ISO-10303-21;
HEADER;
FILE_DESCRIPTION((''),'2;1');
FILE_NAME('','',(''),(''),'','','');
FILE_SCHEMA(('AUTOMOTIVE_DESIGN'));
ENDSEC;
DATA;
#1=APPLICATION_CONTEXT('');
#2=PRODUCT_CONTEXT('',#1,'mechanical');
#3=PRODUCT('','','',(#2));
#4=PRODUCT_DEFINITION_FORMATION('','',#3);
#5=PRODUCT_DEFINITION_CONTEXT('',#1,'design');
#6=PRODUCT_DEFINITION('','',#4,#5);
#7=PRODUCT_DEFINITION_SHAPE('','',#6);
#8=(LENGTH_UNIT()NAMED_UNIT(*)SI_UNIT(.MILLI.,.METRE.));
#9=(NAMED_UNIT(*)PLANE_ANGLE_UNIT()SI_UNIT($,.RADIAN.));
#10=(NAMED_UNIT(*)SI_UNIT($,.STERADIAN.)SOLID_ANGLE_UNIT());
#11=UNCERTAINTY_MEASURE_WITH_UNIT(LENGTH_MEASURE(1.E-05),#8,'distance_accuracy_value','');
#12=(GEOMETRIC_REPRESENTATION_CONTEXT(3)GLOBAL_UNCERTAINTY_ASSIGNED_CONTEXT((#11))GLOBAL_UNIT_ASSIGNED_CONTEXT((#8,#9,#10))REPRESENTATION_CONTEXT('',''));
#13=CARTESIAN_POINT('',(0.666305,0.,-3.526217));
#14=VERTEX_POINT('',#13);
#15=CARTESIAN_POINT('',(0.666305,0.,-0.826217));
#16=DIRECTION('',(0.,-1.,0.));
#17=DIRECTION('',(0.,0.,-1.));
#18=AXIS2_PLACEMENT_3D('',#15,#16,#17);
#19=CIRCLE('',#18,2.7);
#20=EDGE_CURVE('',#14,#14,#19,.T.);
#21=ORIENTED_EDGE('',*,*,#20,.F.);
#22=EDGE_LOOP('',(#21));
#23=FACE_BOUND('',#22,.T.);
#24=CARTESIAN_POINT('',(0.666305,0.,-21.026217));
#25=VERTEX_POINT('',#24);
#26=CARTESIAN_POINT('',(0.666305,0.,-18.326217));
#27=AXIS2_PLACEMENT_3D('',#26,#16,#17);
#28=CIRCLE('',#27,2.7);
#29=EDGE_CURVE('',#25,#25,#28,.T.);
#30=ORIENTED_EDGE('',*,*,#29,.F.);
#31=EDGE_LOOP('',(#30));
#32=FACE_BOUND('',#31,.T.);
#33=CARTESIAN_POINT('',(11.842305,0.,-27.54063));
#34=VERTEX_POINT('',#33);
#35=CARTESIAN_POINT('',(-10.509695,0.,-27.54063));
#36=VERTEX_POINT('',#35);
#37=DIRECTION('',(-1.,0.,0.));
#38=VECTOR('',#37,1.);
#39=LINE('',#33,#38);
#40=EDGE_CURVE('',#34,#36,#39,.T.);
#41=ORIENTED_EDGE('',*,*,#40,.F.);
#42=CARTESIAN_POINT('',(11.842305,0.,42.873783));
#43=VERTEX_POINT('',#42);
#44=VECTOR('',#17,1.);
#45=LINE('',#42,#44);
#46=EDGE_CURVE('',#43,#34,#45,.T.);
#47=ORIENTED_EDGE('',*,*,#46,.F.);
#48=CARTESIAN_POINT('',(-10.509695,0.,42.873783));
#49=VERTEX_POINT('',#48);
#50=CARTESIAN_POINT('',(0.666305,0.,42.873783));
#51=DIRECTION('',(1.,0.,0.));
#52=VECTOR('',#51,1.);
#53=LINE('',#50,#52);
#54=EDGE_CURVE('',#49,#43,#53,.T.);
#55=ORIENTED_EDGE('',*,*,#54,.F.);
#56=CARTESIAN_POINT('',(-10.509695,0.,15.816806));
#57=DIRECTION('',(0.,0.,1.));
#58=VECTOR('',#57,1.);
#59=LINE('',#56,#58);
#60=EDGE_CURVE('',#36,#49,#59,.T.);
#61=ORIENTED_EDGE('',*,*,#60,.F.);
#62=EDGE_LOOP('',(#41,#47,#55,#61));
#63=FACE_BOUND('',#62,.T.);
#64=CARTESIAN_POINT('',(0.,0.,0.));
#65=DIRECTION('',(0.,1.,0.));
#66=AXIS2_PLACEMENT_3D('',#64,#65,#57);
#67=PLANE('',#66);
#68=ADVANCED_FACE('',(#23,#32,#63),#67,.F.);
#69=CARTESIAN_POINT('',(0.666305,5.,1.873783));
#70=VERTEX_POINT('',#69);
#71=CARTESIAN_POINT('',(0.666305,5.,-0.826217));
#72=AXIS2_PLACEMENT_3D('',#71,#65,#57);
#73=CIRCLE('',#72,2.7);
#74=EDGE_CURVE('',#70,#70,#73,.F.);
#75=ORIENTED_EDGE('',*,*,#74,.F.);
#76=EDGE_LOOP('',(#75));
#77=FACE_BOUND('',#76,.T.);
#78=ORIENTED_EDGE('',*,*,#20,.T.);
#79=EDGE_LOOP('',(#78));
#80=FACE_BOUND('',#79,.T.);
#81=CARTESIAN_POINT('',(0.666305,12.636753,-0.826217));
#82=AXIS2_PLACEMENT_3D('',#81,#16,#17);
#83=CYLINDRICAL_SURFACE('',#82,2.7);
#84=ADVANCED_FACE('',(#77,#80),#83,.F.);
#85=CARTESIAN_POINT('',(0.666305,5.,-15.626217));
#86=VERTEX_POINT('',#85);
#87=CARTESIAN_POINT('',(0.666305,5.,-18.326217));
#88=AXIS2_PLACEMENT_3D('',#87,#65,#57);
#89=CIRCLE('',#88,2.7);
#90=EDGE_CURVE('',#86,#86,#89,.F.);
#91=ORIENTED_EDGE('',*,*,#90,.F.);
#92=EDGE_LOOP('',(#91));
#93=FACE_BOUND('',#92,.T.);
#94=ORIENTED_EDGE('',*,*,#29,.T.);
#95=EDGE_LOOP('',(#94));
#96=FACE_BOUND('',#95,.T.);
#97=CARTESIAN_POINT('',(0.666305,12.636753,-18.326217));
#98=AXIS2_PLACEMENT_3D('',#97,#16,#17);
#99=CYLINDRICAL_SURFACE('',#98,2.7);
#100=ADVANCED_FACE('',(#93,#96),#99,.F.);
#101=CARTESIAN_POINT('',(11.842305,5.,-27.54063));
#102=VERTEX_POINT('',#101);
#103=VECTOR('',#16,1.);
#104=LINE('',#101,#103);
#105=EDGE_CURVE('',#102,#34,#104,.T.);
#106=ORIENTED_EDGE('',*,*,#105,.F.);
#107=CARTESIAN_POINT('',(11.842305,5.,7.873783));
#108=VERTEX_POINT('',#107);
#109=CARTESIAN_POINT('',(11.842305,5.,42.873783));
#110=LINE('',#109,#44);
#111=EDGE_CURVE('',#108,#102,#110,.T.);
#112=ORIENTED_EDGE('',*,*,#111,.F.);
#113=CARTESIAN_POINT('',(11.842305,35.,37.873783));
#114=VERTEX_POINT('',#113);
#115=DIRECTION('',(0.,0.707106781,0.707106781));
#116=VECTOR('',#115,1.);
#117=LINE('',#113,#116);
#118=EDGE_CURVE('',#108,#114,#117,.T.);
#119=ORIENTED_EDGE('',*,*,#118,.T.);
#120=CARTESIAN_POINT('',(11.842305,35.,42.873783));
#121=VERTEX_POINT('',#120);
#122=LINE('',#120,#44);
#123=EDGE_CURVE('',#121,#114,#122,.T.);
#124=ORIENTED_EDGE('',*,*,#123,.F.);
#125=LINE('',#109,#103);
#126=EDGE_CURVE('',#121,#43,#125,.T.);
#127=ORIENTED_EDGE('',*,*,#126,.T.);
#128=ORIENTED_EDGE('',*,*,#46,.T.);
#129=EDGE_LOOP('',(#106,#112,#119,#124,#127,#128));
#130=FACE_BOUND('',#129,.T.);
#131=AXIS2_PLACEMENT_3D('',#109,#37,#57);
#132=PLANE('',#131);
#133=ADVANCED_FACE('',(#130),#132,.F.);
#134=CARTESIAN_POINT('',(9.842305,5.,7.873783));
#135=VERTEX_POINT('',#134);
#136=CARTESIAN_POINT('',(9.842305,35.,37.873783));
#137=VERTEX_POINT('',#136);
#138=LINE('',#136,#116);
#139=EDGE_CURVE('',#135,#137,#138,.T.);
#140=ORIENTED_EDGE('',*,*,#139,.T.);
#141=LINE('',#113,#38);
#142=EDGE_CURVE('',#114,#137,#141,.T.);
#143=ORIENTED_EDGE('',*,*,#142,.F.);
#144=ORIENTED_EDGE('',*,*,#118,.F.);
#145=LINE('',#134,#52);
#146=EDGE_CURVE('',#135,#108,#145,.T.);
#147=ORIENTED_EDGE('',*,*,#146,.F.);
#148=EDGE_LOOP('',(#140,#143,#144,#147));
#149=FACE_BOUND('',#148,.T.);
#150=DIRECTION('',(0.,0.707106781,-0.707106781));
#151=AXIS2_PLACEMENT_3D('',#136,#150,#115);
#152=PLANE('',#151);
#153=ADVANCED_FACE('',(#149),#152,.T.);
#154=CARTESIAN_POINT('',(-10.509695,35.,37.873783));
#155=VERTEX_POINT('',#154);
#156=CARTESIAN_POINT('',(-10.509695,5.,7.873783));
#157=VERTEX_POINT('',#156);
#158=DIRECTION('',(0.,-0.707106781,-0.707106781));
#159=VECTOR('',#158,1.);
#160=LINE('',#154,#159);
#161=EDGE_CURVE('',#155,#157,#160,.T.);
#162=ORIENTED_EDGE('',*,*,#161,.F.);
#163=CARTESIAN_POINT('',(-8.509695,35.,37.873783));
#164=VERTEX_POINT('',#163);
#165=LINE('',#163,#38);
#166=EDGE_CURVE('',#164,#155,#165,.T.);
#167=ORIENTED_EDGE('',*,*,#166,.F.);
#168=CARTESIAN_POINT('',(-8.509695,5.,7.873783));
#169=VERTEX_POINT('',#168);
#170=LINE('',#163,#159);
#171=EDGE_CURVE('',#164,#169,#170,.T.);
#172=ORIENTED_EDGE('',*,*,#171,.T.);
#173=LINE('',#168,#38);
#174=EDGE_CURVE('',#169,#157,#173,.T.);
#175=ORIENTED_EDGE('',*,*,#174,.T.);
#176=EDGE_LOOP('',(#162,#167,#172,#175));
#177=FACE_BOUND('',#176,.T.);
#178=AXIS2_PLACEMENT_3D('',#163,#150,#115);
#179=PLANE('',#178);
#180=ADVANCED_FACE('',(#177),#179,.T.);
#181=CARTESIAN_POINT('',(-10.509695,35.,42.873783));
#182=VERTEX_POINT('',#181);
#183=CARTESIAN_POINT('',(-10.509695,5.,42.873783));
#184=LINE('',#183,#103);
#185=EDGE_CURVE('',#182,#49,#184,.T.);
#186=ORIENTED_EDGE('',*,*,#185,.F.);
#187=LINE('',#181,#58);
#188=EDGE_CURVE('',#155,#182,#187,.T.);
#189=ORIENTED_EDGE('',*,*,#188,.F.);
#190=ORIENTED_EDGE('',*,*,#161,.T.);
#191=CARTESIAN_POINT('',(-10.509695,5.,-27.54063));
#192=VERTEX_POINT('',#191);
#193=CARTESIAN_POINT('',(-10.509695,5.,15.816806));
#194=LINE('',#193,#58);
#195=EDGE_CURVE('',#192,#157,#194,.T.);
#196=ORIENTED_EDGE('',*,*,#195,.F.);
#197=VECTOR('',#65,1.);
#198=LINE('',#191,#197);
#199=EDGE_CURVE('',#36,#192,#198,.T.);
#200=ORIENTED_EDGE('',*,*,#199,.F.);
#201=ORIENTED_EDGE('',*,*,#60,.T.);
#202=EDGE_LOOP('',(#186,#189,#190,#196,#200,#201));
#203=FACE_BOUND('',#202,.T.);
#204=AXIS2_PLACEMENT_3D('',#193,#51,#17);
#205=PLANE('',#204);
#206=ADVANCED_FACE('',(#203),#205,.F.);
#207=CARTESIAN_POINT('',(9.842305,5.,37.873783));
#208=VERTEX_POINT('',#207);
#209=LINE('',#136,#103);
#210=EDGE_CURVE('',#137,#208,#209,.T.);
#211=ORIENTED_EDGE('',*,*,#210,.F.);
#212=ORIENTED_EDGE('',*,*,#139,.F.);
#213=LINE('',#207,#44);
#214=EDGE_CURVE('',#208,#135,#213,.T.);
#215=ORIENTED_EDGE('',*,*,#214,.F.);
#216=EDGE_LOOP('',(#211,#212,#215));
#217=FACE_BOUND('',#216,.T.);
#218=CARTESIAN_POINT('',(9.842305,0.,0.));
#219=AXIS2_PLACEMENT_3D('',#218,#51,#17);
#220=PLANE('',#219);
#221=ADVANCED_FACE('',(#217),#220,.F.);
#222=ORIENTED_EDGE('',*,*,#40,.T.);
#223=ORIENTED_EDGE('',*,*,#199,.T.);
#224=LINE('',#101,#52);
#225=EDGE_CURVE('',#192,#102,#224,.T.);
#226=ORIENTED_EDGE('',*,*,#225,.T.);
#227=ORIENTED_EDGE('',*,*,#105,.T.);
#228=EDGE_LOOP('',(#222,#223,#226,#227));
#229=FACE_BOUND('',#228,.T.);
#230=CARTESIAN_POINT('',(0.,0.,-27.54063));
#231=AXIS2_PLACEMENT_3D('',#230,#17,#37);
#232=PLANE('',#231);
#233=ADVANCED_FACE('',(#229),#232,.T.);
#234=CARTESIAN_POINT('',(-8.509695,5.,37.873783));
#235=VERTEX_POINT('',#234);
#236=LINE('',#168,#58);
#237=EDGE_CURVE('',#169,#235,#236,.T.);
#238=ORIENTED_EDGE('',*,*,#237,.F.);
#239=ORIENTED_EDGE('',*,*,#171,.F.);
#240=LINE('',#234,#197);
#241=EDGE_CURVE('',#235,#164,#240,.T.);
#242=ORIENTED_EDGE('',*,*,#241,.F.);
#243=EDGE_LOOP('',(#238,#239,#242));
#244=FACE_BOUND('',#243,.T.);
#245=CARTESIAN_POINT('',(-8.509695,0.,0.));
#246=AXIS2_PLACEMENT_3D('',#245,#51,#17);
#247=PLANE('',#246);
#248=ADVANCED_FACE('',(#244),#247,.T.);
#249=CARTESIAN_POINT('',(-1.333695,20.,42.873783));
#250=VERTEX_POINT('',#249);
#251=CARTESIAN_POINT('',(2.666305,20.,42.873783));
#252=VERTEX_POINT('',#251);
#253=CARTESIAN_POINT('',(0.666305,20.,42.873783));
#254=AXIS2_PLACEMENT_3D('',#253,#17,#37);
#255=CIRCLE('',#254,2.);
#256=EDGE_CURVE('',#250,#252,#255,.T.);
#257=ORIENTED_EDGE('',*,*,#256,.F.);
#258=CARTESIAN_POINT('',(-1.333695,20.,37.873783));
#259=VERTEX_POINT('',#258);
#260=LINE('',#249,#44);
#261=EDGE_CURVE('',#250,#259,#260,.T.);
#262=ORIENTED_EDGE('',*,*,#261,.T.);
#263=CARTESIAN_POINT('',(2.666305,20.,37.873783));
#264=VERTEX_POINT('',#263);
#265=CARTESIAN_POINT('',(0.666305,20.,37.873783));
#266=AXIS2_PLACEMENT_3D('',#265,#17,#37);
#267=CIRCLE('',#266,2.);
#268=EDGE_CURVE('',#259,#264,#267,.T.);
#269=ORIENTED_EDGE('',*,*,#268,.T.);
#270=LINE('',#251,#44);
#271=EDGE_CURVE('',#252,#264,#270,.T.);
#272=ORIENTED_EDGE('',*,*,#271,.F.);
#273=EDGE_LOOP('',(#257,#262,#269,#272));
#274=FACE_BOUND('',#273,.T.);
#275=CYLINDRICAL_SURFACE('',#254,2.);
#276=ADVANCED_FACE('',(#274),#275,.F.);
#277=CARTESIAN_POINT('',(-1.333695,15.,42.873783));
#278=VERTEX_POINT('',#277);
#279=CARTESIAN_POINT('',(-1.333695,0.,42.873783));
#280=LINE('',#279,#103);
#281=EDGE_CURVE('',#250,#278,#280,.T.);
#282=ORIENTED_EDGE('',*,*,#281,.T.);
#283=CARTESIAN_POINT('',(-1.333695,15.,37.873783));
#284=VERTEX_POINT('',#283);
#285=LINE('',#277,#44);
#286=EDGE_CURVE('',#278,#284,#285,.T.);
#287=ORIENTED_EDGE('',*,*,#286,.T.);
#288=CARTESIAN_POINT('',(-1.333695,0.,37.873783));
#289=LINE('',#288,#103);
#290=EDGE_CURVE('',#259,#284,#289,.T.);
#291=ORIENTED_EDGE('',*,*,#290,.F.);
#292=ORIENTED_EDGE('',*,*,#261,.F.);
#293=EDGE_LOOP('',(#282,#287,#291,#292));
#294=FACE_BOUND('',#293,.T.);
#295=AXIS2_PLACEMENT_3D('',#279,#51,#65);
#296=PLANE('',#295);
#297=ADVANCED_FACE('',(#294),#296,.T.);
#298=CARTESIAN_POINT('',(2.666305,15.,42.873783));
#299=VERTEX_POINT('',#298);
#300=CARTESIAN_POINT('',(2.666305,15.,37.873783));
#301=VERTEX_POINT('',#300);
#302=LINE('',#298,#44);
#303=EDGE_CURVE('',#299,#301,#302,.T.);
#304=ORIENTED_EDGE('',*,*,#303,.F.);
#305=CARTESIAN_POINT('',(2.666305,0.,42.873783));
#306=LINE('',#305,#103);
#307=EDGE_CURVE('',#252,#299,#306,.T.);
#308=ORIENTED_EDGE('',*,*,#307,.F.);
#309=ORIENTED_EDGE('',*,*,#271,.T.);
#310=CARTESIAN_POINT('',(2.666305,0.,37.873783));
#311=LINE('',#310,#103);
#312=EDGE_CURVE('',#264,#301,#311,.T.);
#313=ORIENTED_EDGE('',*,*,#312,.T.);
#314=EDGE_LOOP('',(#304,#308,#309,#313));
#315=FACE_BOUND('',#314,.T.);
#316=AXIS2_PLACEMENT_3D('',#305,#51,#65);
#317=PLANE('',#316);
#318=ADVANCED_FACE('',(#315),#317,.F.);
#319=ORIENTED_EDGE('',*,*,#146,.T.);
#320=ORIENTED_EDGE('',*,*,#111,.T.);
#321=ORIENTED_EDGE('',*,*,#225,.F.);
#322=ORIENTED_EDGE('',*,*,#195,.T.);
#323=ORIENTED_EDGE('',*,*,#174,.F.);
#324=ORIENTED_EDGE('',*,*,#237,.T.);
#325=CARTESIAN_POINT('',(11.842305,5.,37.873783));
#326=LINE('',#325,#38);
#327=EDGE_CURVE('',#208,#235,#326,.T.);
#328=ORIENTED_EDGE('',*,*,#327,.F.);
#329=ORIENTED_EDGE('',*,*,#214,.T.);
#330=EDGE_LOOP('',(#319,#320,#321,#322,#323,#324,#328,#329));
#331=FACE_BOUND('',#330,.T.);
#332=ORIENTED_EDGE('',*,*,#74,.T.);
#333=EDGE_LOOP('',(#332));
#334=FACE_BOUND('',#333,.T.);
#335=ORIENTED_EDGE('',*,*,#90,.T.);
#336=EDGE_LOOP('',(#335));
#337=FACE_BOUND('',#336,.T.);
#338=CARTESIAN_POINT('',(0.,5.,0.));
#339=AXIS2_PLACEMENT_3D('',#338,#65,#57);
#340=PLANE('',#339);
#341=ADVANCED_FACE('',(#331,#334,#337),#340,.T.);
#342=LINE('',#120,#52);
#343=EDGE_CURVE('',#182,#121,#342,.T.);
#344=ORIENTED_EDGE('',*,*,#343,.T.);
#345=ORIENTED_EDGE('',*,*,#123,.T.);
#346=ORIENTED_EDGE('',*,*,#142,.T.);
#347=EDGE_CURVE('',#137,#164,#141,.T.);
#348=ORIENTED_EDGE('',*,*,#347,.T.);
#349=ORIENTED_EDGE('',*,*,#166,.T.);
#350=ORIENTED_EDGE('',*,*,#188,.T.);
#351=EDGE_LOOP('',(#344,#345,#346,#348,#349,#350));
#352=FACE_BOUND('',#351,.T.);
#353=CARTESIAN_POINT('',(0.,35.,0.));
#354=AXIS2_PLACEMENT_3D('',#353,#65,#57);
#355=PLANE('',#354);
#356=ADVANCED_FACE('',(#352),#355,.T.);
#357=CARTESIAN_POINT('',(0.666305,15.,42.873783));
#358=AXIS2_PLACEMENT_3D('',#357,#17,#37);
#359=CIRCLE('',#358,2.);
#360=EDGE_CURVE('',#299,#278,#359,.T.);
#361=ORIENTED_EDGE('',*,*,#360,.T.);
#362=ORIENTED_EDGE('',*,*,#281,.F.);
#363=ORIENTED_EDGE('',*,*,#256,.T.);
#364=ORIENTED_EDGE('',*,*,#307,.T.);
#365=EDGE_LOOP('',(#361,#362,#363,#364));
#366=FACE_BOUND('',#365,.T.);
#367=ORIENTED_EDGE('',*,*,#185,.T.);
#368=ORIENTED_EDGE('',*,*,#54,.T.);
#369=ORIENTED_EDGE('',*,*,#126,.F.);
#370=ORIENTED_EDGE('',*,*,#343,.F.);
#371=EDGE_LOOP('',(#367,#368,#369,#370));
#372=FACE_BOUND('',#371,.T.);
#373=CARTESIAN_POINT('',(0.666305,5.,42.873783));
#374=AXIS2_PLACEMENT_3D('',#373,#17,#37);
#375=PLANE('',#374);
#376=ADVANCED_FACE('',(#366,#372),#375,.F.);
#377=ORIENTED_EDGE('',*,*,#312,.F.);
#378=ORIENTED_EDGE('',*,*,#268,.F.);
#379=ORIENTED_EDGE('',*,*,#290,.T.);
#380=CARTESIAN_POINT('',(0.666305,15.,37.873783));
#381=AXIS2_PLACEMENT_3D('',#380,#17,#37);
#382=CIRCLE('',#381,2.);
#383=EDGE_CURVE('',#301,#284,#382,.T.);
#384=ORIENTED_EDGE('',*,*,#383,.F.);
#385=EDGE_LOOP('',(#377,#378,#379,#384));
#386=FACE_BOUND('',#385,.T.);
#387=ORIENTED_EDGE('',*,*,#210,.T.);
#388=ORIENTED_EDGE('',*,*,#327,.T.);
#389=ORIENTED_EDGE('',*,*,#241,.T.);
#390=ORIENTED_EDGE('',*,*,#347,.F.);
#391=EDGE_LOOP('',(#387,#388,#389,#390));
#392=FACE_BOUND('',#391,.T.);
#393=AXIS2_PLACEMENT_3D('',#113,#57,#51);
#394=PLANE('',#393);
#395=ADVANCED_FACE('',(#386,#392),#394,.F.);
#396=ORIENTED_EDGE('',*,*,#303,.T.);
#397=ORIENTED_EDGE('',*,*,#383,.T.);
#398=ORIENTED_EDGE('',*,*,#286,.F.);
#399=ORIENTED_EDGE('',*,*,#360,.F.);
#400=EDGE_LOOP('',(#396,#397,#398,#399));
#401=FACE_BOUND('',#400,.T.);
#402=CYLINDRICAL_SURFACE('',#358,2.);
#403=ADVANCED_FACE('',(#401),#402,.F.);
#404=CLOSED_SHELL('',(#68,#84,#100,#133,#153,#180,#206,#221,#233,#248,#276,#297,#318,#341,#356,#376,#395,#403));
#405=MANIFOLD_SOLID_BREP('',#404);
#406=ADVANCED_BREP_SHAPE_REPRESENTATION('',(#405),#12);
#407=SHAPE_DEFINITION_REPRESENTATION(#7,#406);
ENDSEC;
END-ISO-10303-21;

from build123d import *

# Parameters (mm, degrees)
SKETCH1_R           = 2.7
BOSS_EXTRUDE1_DEPTH = 5
SKETCH2_W           = 22.352
SKETCH2_H           = 5
BOSS_EXTRUDE2_DEPTH = 30
CUT_EXTRUDE1_DEPTH  = 5
BOSS_EXTRUDE3_DEPTH = 2
BOSS_EXTRUDE4_DEPTH = 2
SKETCH7_W           = 22.352
SKETCH7_H           = 36.907486172
BOSS_EXTRUDE5_DEPTH = 5
SKETCH8_R           = 2.7
CUT_EXTRUDE2_DEPTH  = 5
SKETCH9_W           = 22.352
SKETCH9_H           = 5
CUT_EXTRUDE3_DEPTH  = 15


with BuildPart() as part:
    # Sketch1 → Boss-Extrude1 (new body)
    with BuildSketch(Plane(origin=(0, 0, 0), x_dir=(1, 0, 0), z_dir=(0, 1, 0))):
        Polygon((0.666305019, -42.873782933), (-10.509694981, -42.873782933), (-10.509694981, -15.816806264), (-10.509694981, 42.540630423), (11.842305019, 42.540630423), (11.842305019, -42.873782933), align=None)
        with Locations(Location((0.666305019, 31.319617067, 0), (0, 0, 270))):
            Circle(SKETCH1_R, mode=Mode.SUBTRACT)
        with Locations(Location((0.666305019, 14.250817067, 0), (0, 0, 270))):
            Circle(SKETCH1_R, mode=Mode.SUBTRACT)
    extrude(amount=BOSS_EXTRUDE1_DEPTH)

    # Sketch2 → Boss-Extrude2 (add)
    with BuildSketch(Plane(origin=(0, 5, 0), x_dir=(1, 0, 0), z_dir=(0, 1, 0))):
        with Locations((0.666305019, -40.373782933)):
            Rectangle(SKETCH2_W, SKETCH2_H)
    extrude(amount=BOSS_EXTRUDE2_DEPTH)

    # Sketch3 → Cut-Extrude1 (cut)
    with BuildSketch(Plane(origin=(0, 0, 37.873782933), x_dir=(-1, 0, 0), z_dir=(0, 0, -1))):
        with BuildLine():
            Line((-2.666305019, 20), (-2.666305019, 15))
            ThreePointArc((-2.666305019, 15), (-0.666305019, 13), (1.333694981, 15))
            Line((1.333694981, 15), (1.333694981, 20))
            ThreePointArc((1.333694981, 20), (-0.666305019, 22), (-2.666305019, 20))
        make_face()
    extrude(amount=-CUT_EXTRUDE1_DEPTH, mode=Mode.SUBTRACT)

    # Sketch4 → Boss-Extrude3 (add)
    with BuildSketch(Plane(origin=(11.842305019, 0, 0), x_dir=(0, 0, -1), z_dir=(1, 0, 0))):
        Polygon((-37.873782933, 35), (-37.873782933, 5), (-7.873782933, 5), align=None)
    extrude(amount=-BOSS_EXTRUDE3_DEPTH)

    # Sketch5 → Boss-Extrude4 (add)
    with BuildSketch(Plane.ZY.offset(10.509694981)):
        Polygon((37.873782933, 35), (7.873782933, 5), (37.873782933, 5), align=None)
    extrude(amount=-BOSS_EXTRUDE4_DEPTH)

    # Sketch7 → Boss-Extrude5 (add)
    with BuildSketch(Plane.XZ):
        with Locations((0.666305019, -24.086887337)):
            Rectangle(SKETCH7_W, SKETCH7_H)
    extrude(amount=-BOSS_EXTRUDE5_DEPTH)

    # Sketch8 → Cut-Extrude2 (cut)
    with BuildSketch(Plane.XZ):
        with Locations(Location((0.666305019, -0.826217067, 0), (0, 0, 270))):
            Circle(SKETCH8_R)
        with Locations(Location((0.666305019, -18.326217067, 0), (0, 0, 270))):
            Circle(SKETCH8_R)
    extrude(amount=-CUT_EXTRUDE2_DEPTH, mode=Mode.SUBTRACT)

    # Sketch9 → Cut-Extrude3 (cut)
    with BuildSketch(Plane(origin=(0, 0, -42.540630423), x_dir=(-1, 0, 0), z_dir=(0, 0, -1))):
        with Locations((-0.666305019, 2.5)):
            Rectangle(SKETCH9_W, SKETCH9_H)
    extrude(amount=-CUT_EXTRUDE3_DEPTH, mode=Mode.SUBTRACT)


solid = part.part
